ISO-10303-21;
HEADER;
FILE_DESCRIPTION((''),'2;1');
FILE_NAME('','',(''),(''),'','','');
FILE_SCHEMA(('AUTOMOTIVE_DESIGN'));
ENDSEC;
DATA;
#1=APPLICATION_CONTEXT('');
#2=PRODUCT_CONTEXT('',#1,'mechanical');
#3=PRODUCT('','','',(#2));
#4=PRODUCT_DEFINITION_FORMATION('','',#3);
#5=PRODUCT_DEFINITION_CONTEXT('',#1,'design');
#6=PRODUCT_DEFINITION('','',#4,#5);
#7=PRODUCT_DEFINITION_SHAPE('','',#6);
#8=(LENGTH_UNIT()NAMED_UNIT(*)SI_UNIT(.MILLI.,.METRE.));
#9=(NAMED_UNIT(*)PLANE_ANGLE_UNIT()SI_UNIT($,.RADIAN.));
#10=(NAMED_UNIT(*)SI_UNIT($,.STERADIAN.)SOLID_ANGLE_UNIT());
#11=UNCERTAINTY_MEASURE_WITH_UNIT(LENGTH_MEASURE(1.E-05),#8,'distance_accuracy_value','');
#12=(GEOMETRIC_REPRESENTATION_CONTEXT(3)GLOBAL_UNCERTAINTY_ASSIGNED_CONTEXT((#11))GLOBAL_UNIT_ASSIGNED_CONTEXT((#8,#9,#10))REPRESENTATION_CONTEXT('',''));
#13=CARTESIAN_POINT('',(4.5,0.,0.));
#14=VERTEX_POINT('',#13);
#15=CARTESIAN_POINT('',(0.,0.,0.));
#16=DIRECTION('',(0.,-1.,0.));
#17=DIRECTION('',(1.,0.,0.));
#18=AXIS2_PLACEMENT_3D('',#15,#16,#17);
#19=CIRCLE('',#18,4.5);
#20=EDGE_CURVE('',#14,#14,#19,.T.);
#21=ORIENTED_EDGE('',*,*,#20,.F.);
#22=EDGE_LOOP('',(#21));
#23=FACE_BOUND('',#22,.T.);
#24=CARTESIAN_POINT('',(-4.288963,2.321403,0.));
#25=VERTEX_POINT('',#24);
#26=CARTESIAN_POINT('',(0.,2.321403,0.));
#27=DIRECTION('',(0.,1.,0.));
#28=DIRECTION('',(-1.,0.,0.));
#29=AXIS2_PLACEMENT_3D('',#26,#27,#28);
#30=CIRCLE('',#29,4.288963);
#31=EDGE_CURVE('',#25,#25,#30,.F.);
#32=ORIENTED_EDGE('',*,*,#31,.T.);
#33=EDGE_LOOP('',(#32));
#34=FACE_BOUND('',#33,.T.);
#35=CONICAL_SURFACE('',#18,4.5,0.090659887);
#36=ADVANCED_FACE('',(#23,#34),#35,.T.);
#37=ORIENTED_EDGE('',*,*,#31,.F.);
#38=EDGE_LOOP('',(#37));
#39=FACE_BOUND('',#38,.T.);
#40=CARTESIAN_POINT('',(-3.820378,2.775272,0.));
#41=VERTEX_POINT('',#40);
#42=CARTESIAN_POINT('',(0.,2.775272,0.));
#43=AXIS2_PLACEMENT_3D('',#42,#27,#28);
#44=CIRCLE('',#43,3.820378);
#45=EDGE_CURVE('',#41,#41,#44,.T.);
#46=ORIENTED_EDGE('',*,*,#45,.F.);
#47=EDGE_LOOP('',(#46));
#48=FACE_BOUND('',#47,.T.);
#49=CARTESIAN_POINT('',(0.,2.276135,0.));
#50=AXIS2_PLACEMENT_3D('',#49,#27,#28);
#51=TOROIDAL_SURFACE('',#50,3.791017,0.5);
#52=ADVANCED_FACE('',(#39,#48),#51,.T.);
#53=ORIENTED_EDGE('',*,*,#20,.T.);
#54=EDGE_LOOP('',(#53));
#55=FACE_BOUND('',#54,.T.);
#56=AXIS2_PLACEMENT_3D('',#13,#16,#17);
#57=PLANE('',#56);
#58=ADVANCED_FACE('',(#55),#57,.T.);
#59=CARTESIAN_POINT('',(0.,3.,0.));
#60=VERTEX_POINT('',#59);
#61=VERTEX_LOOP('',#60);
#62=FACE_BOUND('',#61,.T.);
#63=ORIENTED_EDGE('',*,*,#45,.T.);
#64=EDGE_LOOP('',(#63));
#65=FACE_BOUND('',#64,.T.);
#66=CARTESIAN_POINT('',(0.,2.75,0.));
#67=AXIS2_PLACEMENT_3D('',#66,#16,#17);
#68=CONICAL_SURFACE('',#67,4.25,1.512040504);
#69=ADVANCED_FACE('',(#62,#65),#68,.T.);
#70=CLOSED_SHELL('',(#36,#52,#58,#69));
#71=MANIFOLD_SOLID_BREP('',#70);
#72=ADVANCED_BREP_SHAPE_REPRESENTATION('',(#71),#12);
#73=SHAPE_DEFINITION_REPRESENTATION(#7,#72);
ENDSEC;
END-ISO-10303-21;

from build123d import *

# Parameters (mm, degrees)
FILLET1_R = 0.5


with BuildPart() as part:
    # Sketch1 → Revolve1 (revolve)
    with BuildSketch(Plane.XY):
        Polygon((4.5, 0), (0, 0), (0, 3), (4.25, 2.75), align=None)
    revolve(axis=Axis((0, -102.327395421, 0), (0, 1, 0)))

    # Fillet1
    fillet1_edges = [part.edges().sort_by_distance(p)[0] for p in [
        (-4.25, 2.75, 0),
    ]]
    fillet(fillet1_edges, radius=FILLET1_R)


solid = part.part
